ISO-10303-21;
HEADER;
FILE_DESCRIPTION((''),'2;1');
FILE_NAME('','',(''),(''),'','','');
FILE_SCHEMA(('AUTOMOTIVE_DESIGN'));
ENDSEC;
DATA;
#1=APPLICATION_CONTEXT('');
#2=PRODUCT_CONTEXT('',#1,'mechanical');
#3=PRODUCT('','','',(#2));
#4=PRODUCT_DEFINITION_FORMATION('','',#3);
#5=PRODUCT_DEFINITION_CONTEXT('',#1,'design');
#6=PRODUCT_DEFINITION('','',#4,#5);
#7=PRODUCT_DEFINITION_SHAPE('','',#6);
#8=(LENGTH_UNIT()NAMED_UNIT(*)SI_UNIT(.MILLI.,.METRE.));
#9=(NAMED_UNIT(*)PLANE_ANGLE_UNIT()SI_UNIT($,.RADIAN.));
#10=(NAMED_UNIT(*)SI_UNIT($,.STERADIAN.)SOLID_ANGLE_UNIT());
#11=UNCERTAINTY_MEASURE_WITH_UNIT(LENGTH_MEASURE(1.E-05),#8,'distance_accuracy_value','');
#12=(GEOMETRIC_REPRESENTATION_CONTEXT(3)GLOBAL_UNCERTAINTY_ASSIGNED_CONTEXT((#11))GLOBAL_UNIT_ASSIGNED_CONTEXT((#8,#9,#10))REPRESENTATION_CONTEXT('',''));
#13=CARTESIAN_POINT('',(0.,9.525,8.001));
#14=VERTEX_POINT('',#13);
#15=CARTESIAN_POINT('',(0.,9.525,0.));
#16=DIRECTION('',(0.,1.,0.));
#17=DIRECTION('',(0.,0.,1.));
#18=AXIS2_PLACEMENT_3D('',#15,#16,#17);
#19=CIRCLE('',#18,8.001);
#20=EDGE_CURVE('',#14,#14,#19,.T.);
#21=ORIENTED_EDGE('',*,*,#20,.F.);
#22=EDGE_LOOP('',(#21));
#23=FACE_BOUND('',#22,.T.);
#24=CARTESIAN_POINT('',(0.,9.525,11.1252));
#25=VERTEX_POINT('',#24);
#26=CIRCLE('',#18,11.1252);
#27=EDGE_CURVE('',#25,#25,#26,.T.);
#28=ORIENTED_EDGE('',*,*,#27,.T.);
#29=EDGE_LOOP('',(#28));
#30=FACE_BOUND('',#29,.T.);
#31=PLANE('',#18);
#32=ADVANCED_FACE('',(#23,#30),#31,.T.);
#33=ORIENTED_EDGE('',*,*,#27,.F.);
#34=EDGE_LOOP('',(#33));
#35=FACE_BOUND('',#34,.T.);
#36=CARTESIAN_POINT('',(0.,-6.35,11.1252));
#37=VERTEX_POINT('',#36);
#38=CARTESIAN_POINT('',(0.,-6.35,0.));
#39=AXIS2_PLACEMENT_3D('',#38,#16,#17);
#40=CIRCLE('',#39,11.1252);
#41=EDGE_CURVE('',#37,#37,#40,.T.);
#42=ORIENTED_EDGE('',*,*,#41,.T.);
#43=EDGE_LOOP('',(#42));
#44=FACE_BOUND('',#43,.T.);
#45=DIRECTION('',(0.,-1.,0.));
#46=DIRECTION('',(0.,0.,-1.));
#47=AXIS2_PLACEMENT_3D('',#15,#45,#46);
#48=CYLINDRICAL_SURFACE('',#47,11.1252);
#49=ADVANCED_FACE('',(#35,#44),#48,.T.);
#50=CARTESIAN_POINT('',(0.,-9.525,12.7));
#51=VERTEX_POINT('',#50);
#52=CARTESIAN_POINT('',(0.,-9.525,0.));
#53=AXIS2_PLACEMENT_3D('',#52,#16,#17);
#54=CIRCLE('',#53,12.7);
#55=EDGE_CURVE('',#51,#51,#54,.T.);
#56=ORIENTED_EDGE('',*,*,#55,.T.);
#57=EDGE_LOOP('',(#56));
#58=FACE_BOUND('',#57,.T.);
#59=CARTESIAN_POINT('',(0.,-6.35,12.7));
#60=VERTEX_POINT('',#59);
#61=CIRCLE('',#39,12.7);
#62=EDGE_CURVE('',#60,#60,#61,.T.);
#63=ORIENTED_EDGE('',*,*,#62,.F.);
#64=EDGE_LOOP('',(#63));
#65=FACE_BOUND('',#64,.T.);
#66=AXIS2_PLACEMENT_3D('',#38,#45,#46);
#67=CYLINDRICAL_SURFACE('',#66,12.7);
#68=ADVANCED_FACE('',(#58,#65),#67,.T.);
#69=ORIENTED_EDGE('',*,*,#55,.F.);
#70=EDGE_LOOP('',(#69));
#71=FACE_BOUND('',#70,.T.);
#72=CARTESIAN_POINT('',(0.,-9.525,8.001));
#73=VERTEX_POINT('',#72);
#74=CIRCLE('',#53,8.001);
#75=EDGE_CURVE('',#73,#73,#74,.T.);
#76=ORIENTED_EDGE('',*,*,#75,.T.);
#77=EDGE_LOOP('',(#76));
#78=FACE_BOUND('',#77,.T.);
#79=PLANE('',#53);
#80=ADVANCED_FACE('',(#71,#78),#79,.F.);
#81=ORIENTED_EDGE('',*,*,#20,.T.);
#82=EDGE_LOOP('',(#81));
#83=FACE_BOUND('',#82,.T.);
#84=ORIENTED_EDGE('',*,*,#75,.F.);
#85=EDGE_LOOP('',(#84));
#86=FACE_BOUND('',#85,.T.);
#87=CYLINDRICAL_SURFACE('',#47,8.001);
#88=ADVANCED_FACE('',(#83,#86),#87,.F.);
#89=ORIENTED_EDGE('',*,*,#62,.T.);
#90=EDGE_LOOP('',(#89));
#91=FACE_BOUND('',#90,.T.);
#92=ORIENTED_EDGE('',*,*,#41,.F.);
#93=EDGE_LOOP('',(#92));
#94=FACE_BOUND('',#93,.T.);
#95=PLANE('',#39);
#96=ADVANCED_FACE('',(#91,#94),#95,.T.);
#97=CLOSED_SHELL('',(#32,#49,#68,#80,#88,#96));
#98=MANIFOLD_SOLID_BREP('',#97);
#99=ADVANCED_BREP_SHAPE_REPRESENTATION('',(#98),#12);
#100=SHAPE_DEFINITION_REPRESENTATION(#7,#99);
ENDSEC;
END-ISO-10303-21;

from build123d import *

# Parameters (mm, degrees)
BOSS_EXTRUDE1_DEPTH      = 9.525
BOSS_EXTRUDE1_DEPTH_BACK = 9.525
SKETCH3_R                = 11.1252
SKETCH3_R_2              = 8.001
BOSS_EXTRUDE2_START      = -9.525
SKETCH6_R                = 12.7
SKETCH6_R_2              = 11.1252
BOSS_EXTRUDE2_DEPTH      = 3.175


with BuildPart() as part:
    # Sketch3 → Boss-Extrude1 (new, two sides: drawn at the far end of the back side and taken through both)
    with BuildSketch(Plane(origin=(0, 0, 0), x_dir=(1, 0, 0), z_dir=(0, 1, 0)).offset(-BOSS_EXTRUDE1_DEPTH_BACK)):
        with Locations(Location((0, 0, 0), (0, 0, 270))):
            Circle(SKETCH3_R)
        with Locations(Location((0, 0, 0), (0, 0, 270))):
            Circle(SKETCH3_R_2, mode=Mode.SUBTRACT)
    extrude(amount=BOSS_EXTRUDE1_DEPTH + BOSS_EXTRUDE1_DEPTH_BACK)

    # Sketch6 → Boss-Extrude2 (add)
    with BuildSketch(Plane(origin=(0, 0, 0), x_dir=(1, 0, 0), z_dir=(0, 1, 0)).offset(BOSS_EXTRUDE2_START)):
        with Locations(Location((0, 0, 0), (0, 0, 270))):
            Circle(SKETCH6_R)
        with Locations(Location((0, 0, 0), (0, 0, 270))):
            Circle(SKETCH6_R_2, mode=Mode.SUBTRACT)
    extrude(amount=BOSS_EXTRUDE2_DEPTH)


solid = part.part
